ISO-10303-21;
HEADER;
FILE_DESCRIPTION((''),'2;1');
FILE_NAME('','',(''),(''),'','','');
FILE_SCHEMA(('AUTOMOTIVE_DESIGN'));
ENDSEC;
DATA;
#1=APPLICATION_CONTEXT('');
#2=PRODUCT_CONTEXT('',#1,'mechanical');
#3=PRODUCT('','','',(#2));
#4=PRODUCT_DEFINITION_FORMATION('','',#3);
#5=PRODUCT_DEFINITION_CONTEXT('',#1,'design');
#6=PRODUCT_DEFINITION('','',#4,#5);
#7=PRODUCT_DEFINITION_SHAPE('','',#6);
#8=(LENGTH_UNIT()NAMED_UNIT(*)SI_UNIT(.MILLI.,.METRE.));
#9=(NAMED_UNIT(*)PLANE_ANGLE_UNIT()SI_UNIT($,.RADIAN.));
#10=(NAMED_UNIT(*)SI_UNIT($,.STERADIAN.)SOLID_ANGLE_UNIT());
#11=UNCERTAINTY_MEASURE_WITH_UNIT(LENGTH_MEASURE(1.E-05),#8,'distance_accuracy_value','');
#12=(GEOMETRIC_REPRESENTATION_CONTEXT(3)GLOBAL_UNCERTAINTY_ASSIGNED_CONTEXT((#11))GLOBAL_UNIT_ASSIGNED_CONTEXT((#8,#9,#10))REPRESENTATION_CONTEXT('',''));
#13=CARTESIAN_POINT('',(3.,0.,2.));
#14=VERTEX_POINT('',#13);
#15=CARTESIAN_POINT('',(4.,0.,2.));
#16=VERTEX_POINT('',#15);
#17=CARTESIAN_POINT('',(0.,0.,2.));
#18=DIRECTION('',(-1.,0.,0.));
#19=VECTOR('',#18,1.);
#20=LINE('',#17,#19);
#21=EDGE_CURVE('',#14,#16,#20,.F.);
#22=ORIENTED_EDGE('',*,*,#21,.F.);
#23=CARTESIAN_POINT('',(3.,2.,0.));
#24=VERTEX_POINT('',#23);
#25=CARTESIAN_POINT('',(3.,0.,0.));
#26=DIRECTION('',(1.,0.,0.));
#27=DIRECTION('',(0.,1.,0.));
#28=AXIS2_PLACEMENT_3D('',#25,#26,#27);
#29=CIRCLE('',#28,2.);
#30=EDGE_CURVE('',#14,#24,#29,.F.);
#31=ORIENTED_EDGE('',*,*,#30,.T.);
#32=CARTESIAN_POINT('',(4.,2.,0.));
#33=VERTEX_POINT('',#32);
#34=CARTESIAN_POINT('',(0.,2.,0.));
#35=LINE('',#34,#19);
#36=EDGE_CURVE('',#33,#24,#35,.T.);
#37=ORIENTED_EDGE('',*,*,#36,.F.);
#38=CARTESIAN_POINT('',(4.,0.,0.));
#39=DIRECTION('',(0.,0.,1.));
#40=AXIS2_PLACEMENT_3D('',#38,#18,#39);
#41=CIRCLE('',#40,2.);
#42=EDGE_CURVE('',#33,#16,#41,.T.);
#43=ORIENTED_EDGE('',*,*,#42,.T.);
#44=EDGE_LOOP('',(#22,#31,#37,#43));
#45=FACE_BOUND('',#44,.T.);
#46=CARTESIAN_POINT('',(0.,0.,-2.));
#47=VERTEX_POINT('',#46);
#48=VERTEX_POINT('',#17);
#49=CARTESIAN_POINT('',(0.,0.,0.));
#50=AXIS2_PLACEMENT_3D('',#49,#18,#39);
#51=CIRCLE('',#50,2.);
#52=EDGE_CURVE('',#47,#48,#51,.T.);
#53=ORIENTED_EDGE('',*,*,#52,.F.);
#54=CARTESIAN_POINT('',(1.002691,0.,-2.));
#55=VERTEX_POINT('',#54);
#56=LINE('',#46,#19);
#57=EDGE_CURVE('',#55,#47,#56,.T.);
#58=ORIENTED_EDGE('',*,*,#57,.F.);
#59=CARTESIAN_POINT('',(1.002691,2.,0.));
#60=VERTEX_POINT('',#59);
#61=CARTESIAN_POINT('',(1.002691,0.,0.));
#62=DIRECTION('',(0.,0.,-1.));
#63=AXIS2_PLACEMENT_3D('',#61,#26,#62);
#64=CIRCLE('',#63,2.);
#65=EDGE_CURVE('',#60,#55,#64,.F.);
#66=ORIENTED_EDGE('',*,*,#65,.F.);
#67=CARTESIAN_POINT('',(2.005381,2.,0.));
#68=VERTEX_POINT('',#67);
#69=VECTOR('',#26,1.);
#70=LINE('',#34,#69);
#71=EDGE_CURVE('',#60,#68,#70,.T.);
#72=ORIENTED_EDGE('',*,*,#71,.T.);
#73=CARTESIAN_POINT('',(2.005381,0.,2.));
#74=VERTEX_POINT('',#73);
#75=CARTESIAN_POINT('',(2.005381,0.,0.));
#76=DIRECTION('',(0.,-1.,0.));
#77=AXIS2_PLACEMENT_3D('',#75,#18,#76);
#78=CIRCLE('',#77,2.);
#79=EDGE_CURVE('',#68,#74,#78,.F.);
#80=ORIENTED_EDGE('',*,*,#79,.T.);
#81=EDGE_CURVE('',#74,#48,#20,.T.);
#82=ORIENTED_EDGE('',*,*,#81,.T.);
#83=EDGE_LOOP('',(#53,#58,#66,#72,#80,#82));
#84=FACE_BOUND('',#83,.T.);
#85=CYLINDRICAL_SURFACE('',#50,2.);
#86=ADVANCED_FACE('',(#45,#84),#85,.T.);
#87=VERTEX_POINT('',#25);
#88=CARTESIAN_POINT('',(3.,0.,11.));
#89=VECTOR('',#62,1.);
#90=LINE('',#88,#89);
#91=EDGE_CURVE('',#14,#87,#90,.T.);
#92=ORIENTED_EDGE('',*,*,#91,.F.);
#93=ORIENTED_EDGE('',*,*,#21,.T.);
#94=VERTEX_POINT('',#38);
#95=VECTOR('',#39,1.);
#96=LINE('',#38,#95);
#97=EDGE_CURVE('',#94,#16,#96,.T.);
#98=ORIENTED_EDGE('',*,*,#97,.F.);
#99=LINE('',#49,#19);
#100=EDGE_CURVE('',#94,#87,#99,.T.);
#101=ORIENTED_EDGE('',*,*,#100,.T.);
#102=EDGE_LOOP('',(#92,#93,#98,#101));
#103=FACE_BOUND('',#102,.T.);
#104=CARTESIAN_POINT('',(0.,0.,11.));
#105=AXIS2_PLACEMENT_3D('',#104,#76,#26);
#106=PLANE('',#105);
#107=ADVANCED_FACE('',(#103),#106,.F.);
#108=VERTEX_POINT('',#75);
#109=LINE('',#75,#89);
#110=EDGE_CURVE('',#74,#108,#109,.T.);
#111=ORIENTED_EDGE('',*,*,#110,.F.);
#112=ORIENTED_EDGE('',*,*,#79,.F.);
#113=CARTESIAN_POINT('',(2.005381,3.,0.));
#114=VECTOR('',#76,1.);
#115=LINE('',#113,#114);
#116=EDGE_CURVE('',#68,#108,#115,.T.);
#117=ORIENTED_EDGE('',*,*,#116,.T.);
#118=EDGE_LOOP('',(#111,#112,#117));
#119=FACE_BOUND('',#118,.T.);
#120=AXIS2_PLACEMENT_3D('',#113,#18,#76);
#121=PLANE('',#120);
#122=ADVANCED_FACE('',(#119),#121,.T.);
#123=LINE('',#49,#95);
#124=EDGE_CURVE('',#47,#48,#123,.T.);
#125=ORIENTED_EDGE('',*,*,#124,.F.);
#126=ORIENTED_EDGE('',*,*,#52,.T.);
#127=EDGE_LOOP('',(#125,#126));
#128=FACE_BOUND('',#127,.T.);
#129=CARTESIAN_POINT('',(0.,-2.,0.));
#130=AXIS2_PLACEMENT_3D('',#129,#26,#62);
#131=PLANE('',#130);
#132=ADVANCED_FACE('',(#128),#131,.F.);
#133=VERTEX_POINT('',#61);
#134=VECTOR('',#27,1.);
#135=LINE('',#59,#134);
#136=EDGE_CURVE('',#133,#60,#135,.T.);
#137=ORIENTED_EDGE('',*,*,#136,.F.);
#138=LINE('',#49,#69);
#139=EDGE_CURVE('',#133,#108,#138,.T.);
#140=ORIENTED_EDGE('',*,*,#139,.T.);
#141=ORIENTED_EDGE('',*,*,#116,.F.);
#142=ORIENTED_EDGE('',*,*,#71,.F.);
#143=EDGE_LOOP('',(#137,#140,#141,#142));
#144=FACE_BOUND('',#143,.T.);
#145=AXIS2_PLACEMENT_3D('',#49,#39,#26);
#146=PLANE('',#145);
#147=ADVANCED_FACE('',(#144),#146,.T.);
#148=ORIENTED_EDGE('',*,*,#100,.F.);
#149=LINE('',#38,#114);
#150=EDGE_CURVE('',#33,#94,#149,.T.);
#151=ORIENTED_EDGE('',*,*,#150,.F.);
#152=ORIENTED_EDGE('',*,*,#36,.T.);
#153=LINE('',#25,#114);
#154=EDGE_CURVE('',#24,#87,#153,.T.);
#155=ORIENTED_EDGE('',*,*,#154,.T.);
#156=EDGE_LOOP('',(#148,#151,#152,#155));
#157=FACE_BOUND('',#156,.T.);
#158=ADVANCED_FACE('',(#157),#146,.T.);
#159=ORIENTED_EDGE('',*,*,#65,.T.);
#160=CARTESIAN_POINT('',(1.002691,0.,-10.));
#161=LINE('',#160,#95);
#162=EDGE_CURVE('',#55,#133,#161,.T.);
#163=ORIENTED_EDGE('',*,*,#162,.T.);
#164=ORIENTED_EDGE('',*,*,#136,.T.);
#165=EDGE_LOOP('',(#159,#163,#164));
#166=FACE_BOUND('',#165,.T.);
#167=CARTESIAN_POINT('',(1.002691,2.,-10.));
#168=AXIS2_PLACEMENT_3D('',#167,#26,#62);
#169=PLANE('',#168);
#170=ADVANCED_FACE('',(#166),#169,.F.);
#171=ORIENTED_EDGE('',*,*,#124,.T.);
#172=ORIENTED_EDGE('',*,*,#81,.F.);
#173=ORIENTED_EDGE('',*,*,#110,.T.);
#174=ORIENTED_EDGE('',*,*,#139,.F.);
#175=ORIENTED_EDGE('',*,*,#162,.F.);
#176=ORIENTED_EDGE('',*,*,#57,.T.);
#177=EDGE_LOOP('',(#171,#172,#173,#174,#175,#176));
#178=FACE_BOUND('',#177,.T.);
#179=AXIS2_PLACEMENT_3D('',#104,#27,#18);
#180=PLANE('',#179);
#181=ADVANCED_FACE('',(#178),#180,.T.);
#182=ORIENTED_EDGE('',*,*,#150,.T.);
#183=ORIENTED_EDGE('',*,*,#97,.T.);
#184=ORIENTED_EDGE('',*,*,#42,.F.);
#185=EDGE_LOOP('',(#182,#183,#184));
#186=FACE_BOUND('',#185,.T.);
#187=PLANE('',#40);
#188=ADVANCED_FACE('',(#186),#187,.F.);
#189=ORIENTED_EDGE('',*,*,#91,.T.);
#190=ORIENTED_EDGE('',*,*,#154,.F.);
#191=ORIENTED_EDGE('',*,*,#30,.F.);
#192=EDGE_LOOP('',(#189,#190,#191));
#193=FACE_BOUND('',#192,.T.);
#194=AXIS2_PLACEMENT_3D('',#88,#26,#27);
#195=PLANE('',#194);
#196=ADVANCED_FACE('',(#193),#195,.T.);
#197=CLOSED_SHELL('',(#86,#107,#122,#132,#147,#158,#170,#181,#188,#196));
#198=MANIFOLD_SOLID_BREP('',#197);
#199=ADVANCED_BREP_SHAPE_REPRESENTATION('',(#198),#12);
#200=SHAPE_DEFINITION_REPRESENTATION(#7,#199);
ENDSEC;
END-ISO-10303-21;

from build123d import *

# Parameters (mm, degrees)
SKETCH5_W          = 4
SKETCH5_H          = 2
SKETCH6_W          = 1
SKETCH6_H          = 2
CUT_EXTRUDE5_DEPTH = 11
SKETCH7_W          = 1.005381091
SKETCH7_H          = 2
CUT_EXTRUDE6_DEPTH = 3
SKETCH8_W          = 1.002690545
SKETCH8_H          = 2
CUT_EXTRUDE7_DEPTH = 10


with BuildPart() as part:
    # Sketch5 → Revolve-Thin2 (revolve)
    with BuildSketch(Plane.XY):
        with Locations((2, 1)):
            Rectangle(SKETCH5_W, SKETCH5_H)
    revolve(axis=Axis((0, 0, 0), (1, 0, 0)))

    # Sketch6 → Cut-Extrude5 (cut)
    with BuildSketch(Plane.XY):
        with Locations((3.5, 1)):
            Rectangle(SKETCH6_W, SKETCH6_H)
        with Locations((0.5, 1)):
            Rectangle(SKETCH6_W, SKETCH6_H)
    extrude(amount=CUT_EXTRUDE5_DEPTH, mode=Mode.SUBTRACT)

    # Sketch7 → Cut-Extrude6 (cut)
    with BuildSketch(Plane(origin=(0, 0, 0), x_dir=(1, 0, 0), z_dir=(0, 1, 0))):
        with Locations((1.502690546, -1)):
            Rectangle(SKETCH7_W, SKETCH7_H)
    extrude(amount=CUT_EXTRUDE6_DEPTH, mode=Mode.SUBTRACT)

    # Sketch8 → Cut-Extrude7 (cut)
    with BuildSketch(Plane.XY):
        with Locations((0.501345273, 1)):
            Rectangle(SKETCH8_W, SKETCH8_H)
    extrude(amount=-CUT_EXTRUDE7_DEPTH, mode=Mode.SUBTRACT)


solid = part.part
